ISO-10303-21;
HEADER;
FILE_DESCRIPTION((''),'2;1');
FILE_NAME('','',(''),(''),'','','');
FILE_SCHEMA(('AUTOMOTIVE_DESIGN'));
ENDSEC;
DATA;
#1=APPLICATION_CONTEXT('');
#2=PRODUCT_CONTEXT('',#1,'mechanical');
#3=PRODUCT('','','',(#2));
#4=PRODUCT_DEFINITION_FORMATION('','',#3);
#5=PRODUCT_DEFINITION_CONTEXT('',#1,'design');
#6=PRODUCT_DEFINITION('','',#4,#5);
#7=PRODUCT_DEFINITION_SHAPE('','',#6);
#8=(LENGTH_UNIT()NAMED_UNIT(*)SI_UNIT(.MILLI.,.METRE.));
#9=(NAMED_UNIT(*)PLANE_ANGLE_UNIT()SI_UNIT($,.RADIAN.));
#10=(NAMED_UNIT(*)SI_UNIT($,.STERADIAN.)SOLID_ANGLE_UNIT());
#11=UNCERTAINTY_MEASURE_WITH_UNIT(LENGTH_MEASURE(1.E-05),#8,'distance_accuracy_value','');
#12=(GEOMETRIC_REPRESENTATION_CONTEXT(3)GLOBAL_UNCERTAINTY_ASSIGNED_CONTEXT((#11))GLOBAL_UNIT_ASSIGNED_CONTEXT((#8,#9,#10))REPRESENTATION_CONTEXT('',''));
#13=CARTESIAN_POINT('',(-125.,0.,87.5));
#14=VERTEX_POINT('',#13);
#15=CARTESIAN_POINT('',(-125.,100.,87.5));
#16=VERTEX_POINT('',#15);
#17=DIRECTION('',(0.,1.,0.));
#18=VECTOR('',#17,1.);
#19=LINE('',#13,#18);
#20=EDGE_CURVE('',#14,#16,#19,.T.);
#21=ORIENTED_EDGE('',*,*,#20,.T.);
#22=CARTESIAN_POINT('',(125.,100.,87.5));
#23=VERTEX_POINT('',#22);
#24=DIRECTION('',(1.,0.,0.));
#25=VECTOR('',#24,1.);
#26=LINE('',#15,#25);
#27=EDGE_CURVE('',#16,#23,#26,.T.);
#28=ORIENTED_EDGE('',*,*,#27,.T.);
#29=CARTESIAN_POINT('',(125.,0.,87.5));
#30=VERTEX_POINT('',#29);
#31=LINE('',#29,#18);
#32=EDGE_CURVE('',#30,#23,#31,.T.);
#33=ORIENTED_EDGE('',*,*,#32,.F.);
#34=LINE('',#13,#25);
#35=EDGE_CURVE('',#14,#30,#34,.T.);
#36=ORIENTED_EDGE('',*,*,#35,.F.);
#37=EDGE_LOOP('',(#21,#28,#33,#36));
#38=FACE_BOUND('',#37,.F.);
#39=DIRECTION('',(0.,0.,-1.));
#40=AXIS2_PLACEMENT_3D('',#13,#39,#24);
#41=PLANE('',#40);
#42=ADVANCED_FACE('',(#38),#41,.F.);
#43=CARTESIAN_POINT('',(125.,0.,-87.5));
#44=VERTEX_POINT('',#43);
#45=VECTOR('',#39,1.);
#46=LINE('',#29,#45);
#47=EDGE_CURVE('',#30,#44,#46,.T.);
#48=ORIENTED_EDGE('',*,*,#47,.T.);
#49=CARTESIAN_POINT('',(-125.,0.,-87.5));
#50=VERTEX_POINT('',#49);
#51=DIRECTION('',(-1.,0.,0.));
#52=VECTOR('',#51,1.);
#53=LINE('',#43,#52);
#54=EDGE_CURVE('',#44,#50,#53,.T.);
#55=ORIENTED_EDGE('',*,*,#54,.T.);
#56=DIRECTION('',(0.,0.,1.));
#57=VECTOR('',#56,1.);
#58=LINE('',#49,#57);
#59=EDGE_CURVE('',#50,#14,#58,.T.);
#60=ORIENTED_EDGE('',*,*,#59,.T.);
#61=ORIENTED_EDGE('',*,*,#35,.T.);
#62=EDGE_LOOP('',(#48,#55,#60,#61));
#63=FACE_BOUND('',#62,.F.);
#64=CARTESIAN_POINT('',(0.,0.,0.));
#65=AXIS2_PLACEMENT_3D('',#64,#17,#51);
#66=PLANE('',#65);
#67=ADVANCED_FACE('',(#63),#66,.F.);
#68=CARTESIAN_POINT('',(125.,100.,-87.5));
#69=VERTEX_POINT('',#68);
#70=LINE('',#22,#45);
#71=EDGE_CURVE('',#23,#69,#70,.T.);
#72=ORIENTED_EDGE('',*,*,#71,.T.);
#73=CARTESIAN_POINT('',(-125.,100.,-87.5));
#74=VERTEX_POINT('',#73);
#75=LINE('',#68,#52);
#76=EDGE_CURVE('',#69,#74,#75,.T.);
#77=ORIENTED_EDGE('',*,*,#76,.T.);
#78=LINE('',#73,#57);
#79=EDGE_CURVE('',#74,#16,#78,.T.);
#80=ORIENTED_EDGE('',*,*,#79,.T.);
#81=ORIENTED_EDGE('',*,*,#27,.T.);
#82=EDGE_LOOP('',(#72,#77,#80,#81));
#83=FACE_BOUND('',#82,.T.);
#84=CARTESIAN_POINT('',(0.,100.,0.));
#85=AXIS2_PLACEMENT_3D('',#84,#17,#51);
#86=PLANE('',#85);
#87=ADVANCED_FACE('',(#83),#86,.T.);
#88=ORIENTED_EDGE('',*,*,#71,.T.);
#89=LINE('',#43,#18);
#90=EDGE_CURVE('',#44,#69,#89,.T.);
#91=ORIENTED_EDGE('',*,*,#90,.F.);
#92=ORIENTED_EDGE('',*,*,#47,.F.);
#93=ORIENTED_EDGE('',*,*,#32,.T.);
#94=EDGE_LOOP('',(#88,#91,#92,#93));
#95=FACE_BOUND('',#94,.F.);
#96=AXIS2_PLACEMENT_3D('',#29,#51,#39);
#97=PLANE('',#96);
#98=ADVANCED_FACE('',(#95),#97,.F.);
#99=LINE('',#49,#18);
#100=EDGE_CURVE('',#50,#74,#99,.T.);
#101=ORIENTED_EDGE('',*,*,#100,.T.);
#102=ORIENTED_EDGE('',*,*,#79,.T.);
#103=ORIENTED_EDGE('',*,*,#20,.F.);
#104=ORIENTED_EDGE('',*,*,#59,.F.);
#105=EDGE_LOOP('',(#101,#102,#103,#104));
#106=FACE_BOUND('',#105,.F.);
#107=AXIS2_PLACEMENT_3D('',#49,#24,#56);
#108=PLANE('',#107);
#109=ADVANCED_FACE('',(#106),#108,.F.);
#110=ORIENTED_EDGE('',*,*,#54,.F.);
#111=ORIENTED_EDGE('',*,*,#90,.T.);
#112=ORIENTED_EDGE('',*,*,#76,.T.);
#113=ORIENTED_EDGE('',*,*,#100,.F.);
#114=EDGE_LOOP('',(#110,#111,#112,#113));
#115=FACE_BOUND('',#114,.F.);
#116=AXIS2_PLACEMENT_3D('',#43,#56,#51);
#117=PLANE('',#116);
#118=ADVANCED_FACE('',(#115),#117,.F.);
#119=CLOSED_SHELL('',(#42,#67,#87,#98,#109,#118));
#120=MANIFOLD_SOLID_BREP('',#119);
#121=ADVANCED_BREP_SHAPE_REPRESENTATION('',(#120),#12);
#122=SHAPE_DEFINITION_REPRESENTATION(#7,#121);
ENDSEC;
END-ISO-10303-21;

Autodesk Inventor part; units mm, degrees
ref_plane "YZ Plane" through (0, 0, 0) normal (1, 0, 0) x (0, 1, 0)
ref_plane "XZ Plane" through (0, 0, 0) normal (0, 1, 0) x (-1, 0, 0)
ref_plane "XY Plane" through (0, 0, 0) normal (0, 0, 1) x (1, 0, 0)
sketch "Sketch1" plane through (0, 0, 0) normal (0, 1, 0) x (-1, 0, 0)
  line L0 (-125, -87.5) -> (125, -87.5)
  line L1 (125, -87.5) -> (125, 87.5)
  line L2 (125, 87.5) -> (-125, 87.5)
  line L3 (-125, 87.5) -> (-125, -87.5)
  line L4 (-125, -87.5) -> (125, 87.5) construction
  line L5 (125, -87.5) -> (-125, 87.5) construction
  point P0 (0, 0)
  dimension "d0" = 175
  dimension "d1" = 250
extrude "Extrusion1" add sketch "Sketch1" along normal blind 100
properties part number "SpinCoater"
